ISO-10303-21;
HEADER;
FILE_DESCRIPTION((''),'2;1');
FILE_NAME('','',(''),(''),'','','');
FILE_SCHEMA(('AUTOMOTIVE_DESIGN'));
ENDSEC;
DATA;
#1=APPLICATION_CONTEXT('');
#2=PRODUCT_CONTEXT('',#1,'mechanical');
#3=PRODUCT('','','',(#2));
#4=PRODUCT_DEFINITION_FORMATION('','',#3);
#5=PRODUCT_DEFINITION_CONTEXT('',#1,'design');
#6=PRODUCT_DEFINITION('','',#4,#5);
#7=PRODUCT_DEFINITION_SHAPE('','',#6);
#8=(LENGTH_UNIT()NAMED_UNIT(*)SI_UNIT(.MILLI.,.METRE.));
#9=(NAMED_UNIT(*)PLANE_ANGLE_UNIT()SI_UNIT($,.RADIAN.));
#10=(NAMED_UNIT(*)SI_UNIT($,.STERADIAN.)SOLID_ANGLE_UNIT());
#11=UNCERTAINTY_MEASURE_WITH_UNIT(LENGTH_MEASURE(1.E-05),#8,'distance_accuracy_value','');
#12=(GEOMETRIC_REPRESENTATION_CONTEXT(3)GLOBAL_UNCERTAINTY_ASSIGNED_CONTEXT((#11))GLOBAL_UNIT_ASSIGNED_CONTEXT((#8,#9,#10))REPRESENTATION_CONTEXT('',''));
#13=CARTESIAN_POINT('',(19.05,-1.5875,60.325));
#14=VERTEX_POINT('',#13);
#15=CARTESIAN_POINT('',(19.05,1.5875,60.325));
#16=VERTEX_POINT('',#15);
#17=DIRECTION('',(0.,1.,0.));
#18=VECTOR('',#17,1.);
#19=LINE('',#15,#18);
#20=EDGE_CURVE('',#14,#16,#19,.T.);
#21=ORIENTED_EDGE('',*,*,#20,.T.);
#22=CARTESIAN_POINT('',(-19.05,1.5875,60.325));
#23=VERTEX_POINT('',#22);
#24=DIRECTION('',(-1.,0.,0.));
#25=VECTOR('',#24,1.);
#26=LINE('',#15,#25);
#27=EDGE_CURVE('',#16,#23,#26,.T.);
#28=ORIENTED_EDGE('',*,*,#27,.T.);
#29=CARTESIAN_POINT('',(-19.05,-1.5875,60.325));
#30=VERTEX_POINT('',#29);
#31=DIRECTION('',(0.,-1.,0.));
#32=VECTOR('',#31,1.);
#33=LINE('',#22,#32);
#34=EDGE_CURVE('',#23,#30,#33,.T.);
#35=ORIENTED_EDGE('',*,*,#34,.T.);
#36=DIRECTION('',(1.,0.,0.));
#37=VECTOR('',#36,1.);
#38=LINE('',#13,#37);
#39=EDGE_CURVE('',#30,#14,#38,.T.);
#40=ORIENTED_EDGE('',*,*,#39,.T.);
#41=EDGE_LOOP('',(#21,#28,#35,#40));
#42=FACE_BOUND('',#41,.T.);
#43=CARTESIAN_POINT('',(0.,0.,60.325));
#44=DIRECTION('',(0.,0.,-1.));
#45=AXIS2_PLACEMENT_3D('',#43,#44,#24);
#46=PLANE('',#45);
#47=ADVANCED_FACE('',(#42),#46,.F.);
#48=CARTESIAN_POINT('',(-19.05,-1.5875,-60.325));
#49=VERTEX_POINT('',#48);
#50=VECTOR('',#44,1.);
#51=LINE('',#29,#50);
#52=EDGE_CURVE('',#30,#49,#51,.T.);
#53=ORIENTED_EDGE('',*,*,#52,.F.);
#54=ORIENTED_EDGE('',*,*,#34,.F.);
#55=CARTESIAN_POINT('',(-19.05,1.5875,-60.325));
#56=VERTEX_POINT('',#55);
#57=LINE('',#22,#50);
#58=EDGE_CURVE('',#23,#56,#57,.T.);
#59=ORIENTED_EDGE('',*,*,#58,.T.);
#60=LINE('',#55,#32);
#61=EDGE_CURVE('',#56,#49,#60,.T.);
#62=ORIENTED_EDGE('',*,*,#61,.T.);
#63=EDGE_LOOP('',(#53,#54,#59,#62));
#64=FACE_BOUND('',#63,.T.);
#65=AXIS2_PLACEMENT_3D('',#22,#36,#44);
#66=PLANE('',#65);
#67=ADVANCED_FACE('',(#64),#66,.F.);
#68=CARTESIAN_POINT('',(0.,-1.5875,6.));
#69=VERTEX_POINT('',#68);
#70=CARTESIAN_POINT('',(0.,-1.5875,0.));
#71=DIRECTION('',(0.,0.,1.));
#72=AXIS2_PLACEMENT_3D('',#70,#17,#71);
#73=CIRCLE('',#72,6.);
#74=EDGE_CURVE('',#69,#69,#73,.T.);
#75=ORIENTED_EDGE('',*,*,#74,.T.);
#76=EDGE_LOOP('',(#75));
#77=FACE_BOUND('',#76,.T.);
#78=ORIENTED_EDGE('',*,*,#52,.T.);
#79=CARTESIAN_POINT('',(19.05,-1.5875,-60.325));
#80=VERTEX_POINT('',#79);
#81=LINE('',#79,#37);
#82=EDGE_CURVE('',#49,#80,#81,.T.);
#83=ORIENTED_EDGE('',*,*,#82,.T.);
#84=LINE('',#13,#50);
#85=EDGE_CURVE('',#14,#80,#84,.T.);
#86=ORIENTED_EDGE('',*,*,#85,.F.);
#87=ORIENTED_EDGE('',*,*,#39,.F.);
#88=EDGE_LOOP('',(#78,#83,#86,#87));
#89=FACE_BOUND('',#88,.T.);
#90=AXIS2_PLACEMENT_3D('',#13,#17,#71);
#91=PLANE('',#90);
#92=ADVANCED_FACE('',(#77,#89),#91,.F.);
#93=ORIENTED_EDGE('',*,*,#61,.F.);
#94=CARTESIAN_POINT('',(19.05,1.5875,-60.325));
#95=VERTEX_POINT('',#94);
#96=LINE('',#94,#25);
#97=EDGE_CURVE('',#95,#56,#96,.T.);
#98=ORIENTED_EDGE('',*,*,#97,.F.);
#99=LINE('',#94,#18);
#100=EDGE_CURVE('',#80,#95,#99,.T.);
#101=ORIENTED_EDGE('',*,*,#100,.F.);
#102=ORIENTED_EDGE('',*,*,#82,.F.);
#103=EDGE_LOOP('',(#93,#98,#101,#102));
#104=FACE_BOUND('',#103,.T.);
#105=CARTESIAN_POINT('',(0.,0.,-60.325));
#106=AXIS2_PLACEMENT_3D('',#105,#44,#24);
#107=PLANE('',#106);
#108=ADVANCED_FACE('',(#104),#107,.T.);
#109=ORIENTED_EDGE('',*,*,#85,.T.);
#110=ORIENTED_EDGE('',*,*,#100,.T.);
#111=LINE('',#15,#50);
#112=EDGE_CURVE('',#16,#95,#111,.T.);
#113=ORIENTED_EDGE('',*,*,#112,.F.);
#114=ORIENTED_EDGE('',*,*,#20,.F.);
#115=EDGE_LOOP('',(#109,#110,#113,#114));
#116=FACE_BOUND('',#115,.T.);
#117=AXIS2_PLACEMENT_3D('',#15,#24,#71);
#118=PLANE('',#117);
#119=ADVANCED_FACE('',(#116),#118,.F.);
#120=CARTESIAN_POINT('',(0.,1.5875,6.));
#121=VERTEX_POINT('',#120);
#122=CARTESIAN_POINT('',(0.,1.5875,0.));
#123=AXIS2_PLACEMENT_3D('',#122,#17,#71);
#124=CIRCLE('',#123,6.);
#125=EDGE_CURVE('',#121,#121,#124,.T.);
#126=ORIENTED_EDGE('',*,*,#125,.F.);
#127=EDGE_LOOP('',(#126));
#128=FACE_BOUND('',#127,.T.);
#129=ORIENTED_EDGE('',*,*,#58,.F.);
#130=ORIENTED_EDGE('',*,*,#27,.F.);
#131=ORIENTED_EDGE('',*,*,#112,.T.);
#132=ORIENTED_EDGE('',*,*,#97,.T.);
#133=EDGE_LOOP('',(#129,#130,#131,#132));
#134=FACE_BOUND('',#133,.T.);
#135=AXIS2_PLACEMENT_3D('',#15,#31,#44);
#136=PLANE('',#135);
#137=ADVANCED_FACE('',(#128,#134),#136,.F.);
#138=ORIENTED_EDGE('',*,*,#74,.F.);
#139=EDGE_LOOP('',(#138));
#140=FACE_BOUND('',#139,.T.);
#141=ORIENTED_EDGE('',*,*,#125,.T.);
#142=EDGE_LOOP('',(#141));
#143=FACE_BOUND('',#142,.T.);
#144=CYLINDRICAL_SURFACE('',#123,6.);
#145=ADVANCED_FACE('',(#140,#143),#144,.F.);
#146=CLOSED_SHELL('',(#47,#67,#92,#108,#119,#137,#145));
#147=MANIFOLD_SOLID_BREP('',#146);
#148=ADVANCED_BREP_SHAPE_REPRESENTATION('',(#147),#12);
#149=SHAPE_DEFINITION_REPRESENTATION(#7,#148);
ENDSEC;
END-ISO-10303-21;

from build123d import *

# Parameters (mm, degrees)
BOSS_EXTRUDE1_DEPTH        = 60.325
BOSS_EXTRUDE1_DEPTH_BACK   = 60.325
SKETCH3_W                  = 38.1
SKETCH3_H                  = 3.175
F_12_0MM_DOWEL_HOLE1_D     = 12
F_12_0MM_DOWEL_HOLE1_DEPTH = 9.652
F_12_0MM_DOWEL_HOLE1_TIP   = 3.605163714


with BuildPart() as part:
    # Sketch3 → Boss-Extrude1 (new, two sides: drawn at the far end of the back side and taken through both)
    with BuildSketch(Plane.XY.offset(-BOSS_EXTRUDE1_DEPTH_BACK)):
        Rectangle(SKETCH3_W, SKETCH3_H)
    extrude(amount=BOSS_EXTRUDE1_DEPTH + BOSS_EXTRUDE1_DEPTH_BACK)

    # Ø12.0mm Dowel Hole1
    with Locations(Plane(origin=(0, 1.5875, 0), x_dir=(1, 0, 0), z_dir=(0, 1, 0))):
        with Locations((0, 0)):
            Hole(F_12_0MM_DOWEL_HOLE1_D / 2, depth=F_12_0MM_DOWEL_HOLE1_DEPTH)
            with Locations((0, 0, -(F_12_0MM_DOWEL_HOLE1_DEPTH + F_12_0MM_DOWEL_HOLE1_TIP / 2))):  # 118° drill point
                Cone(0, F_12_0MM_DOWEL_HOLE1_D / 2, F_12_0MM_DOWEL_HOLE1_TIP, mode=Mode.SUBTRACT)


solid = part.part
